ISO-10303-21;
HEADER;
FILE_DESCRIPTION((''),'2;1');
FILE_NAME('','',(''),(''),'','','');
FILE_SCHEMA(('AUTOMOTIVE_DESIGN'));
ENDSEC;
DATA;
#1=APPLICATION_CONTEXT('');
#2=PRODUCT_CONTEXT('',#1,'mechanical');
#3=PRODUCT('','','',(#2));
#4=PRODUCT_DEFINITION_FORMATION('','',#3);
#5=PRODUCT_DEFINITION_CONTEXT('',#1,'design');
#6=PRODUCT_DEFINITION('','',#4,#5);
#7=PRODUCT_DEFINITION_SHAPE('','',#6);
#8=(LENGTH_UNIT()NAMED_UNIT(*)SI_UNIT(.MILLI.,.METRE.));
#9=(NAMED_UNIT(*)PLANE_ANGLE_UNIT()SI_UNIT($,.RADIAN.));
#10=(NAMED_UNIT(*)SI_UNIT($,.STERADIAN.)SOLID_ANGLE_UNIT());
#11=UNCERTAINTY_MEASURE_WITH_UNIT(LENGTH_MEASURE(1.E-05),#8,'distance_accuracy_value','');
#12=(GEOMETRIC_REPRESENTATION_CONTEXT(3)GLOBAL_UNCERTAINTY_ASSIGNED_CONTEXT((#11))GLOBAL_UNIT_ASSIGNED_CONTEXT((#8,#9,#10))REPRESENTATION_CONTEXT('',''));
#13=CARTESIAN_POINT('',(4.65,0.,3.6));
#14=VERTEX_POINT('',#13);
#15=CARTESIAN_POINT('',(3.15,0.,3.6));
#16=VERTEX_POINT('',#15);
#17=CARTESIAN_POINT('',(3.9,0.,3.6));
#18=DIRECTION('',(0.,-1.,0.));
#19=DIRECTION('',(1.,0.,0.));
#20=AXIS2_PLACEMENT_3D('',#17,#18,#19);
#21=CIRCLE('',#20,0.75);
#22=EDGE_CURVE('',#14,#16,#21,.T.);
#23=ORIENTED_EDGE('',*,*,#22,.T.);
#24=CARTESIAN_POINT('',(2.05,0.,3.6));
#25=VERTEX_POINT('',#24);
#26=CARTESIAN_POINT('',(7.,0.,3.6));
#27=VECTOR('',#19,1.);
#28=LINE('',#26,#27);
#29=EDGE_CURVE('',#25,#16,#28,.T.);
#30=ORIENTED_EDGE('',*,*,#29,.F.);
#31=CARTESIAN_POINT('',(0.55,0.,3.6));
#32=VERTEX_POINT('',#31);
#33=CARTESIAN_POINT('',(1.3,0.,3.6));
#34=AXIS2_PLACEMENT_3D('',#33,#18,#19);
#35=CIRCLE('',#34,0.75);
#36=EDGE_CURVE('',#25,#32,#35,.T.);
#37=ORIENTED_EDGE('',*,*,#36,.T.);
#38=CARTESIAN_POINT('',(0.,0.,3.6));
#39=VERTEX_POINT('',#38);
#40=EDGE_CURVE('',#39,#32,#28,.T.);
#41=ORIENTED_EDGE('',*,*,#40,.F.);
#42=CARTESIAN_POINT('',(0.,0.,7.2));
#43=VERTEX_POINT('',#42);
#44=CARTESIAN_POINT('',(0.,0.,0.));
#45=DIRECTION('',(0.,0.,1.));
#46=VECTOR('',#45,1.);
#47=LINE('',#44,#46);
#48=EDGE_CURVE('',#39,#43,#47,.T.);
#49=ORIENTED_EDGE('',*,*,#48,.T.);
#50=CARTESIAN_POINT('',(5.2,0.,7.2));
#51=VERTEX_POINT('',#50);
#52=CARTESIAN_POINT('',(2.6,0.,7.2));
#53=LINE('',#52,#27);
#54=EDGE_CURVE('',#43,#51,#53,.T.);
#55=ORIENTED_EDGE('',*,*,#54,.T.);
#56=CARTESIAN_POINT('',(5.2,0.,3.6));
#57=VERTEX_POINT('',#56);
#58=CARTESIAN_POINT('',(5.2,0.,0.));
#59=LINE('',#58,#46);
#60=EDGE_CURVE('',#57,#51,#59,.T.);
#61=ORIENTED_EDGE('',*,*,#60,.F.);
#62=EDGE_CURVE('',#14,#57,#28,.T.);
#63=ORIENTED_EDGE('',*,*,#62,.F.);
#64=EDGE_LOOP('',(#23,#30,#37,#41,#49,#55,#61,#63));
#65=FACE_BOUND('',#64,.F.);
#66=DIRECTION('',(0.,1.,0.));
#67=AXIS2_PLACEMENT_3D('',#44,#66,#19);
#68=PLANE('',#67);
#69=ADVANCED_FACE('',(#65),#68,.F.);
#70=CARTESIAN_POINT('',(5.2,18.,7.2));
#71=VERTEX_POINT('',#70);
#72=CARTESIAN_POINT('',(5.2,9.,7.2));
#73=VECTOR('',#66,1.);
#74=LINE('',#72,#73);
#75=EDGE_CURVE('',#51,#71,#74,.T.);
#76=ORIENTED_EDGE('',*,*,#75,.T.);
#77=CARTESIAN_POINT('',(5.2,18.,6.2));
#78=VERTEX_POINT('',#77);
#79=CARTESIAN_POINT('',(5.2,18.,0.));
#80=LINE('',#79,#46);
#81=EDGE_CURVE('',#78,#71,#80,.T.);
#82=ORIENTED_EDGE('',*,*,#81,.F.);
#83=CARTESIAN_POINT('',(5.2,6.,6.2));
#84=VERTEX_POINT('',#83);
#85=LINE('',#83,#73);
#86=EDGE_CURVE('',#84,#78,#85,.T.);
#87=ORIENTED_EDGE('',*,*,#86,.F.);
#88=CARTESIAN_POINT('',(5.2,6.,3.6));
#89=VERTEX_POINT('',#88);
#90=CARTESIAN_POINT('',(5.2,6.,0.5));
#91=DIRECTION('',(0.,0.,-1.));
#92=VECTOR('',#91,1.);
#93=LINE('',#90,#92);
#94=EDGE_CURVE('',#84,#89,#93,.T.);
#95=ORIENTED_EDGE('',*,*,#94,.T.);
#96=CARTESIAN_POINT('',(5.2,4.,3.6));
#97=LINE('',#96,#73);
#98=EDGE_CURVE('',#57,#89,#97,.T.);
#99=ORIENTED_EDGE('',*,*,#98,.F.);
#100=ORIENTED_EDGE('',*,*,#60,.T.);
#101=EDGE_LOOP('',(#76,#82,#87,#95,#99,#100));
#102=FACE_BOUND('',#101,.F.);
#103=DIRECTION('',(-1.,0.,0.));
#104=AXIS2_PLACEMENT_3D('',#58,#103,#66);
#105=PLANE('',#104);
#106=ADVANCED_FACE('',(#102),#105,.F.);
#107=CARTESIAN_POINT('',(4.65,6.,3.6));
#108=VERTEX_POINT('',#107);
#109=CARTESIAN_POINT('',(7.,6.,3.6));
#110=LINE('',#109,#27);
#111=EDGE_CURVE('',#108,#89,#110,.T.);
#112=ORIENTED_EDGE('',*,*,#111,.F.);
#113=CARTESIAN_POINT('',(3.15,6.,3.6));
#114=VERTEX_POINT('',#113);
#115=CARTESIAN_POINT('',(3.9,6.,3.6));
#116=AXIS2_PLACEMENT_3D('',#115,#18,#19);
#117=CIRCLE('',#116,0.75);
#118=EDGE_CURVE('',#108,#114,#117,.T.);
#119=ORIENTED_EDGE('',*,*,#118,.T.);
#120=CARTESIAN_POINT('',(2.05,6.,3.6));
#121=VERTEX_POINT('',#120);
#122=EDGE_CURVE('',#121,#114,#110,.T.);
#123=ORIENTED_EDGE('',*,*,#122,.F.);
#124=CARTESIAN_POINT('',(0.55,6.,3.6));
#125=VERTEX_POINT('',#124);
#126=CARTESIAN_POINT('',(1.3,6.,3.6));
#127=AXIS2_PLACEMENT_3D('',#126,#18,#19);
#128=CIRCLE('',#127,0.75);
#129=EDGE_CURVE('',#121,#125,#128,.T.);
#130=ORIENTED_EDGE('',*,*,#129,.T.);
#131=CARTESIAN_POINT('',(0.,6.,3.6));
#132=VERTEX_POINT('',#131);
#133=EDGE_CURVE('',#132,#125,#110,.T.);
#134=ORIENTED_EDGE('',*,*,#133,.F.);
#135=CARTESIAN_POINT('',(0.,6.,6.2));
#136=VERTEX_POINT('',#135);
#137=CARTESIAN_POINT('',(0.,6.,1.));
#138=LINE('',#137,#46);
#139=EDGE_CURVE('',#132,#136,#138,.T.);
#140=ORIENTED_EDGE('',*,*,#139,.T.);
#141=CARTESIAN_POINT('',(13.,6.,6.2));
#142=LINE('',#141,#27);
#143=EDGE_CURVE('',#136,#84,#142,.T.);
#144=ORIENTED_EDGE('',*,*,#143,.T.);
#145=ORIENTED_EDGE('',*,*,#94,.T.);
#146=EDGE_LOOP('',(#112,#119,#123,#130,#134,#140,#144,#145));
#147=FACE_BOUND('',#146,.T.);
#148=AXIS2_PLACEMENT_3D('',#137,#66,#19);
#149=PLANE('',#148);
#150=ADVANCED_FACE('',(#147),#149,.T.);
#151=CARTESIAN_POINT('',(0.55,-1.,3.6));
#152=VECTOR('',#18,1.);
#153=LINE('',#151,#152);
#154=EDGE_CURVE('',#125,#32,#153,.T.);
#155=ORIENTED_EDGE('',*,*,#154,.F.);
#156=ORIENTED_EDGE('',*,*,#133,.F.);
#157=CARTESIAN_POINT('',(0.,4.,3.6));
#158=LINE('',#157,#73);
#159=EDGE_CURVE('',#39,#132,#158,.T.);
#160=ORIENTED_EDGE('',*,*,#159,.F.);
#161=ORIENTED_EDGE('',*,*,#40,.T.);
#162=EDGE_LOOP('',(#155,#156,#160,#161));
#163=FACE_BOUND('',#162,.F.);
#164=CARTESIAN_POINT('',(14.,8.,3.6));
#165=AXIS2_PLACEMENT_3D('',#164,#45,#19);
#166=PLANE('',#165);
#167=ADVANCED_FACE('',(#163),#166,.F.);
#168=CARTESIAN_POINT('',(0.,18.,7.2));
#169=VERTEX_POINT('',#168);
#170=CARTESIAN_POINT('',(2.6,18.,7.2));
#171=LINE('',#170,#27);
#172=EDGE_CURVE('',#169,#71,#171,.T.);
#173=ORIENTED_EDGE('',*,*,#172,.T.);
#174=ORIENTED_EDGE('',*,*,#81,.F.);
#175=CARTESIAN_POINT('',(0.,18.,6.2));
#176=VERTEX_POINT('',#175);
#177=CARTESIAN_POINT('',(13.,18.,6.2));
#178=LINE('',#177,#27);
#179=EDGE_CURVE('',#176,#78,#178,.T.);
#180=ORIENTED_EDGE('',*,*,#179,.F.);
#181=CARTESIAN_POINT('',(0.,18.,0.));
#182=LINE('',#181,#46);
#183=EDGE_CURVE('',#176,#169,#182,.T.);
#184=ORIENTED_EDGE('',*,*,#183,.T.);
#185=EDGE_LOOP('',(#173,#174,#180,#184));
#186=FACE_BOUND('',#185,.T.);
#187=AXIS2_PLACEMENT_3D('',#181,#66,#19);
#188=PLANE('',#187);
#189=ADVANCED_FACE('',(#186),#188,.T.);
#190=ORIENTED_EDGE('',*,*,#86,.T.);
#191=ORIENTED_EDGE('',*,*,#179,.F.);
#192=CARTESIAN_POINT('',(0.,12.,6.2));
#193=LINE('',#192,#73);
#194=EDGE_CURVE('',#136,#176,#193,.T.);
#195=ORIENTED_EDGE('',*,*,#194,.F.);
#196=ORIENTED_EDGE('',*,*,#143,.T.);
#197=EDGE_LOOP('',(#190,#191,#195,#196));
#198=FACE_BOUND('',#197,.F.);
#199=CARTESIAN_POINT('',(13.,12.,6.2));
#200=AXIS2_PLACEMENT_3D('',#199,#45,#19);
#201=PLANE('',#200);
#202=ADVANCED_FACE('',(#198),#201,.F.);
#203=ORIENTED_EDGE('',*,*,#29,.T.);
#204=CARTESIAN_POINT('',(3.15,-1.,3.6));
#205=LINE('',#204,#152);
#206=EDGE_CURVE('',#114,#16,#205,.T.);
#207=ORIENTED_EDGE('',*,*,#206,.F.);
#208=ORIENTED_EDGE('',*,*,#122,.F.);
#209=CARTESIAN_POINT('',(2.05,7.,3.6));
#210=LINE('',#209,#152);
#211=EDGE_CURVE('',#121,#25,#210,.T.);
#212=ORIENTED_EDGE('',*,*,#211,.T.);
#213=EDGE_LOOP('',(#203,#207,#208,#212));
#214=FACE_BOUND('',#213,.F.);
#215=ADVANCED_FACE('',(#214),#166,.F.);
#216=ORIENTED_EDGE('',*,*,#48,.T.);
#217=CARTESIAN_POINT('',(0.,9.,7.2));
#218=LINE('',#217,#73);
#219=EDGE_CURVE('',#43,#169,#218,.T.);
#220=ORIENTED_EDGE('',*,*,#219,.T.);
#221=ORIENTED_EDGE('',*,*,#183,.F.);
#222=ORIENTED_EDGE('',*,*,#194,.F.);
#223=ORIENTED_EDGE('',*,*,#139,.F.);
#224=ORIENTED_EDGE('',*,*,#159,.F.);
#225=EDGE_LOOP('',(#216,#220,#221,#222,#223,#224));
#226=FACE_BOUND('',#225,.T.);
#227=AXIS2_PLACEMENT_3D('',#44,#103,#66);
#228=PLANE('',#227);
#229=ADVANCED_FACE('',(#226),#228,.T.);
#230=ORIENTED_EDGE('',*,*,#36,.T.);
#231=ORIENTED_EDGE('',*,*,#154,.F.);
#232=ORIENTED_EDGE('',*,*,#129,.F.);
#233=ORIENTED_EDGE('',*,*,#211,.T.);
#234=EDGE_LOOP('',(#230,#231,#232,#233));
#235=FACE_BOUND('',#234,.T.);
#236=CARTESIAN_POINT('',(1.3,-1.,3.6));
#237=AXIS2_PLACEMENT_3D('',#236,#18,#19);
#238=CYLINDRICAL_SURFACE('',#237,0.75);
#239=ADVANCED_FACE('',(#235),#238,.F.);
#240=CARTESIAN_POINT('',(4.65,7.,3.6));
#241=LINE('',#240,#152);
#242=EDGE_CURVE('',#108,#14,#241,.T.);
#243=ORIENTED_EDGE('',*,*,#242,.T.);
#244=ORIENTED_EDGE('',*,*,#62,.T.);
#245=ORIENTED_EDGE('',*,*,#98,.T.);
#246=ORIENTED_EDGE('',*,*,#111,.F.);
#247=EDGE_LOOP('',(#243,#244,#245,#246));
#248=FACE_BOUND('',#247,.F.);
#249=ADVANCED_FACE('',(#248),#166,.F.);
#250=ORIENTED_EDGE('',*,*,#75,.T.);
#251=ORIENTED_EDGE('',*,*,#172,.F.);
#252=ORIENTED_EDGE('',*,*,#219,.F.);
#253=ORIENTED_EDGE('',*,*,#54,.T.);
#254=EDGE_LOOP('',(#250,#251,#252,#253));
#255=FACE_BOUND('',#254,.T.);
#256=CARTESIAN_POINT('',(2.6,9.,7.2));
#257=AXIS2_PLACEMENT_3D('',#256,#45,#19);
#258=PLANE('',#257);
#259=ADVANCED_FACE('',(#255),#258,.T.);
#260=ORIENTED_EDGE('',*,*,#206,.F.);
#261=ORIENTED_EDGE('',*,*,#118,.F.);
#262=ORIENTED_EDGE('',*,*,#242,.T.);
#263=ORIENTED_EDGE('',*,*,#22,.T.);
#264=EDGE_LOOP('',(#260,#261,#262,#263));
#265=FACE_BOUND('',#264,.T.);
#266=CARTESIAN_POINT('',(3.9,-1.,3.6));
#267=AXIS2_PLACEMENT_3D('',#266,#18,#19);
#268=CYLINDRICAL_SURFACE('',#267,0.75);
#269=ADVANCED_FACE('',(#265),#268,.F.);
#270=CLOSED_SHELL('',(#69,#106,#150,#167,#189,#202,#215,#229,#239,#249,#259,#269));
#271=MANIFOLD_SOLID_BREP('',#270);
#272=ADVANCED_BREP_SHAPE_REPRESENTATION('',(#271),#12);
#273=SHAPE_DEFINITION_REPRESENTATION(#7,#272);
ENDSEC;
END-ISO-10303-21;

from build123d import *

# Parameters (mm, degrees)
BOX016_W          = 30
BOX016_H          = 20
BOX016_DEPTH      = 9.2
BOX015_W          = 26
BOX015_H          = 12
BOX015_DEPTH      = 5.2
CYLINDER007_R     = 0.75
CYLINDER007_DEPTH = 7
ARRAY007_X_COUNT  = 2
ARRAY007_X_PITCH  = 2.6
ARRAY007_Y_COUNT  = 2
ARRAY007_Y_PITCH  = 1
BOX014_W          = 5.2
BOX014_H          = 18
BOX014_DEPTH      = 7.2


with BuildPart() as cortador:
    # Box016 → Box016 (new body)
    with BuildSketch(Plane(origin=(-1, -2, -5.6), x_dir=(1, 0, 0), z_dir=(0, 0, 1))):
        with Locations((15, 10)):
            Rectangle(BOX016_W, BOX016_H)
    extrude(amount=BOX016_DEPTH)


with BuildPart() as cube_10_base009:
    # Box015 → Box015 (new body)
    with BuildSketch(Plane(origin=(0, 6, 1), x_dir=(1, 0, 0), z_dir=(0, 0, 1))):
        with Locations((13, 6)):
            Rectangle(BOX015_W, BOX015_H)
    extrude(amount=BOX015_DEPTH)


with BuildPart() as array007:
    # Cylinder007 → Cylinder007 (new body)
    with BuildSketch(Plane(origin=(1.3, -1, 3.6), x_dir=(1, 0, 0), z_dir=(0, 1, 0))):
        Circle(CYLINDER007_R)
    extrude(amount=CYLINDER007_DEPTH)

    # Array007 X: Array007 ×2


with BuildPart() as array007_1:
    add(array007.part)
    with Locations(*[(i * ARRAY007_X_PITCH, 0, 0) for i in range(1, ARRAY007_X_COUNT)]):
        add(array007.part)

    # Array007 Y: Array007 ×2


with BuildPart() as array007_2:
    add(array007_1.part)
    with Locations(*[(0, i * ARRAY007_Y_PITCH, 0) for i in range(1, ARRAY007_Y_COUNT)]):
        add(array007_1.part)


with BuildPart() as bloque2_arriba:
    # Box014 → Box014 (new body)
    with BuildSketch(Plane.XY):
        with Locations((2.6, 9)):
            Rectangle(BOX014_W, BOX014_H)
    extrude(amount=BOX014_DEPTH)

    # Cut015: cut Array007
    add(array007_2.part, mode=Mode.SUBTRACT)

    # Cut014: cut cube_10_base009
    add(cube_10_base009.part, mode=Mode.SUBTRACT)

    # Cut016: cut cortador
    add(cortador.part, mode=Mode.SUBTRACT)


solid = bloque2_arriba.part
